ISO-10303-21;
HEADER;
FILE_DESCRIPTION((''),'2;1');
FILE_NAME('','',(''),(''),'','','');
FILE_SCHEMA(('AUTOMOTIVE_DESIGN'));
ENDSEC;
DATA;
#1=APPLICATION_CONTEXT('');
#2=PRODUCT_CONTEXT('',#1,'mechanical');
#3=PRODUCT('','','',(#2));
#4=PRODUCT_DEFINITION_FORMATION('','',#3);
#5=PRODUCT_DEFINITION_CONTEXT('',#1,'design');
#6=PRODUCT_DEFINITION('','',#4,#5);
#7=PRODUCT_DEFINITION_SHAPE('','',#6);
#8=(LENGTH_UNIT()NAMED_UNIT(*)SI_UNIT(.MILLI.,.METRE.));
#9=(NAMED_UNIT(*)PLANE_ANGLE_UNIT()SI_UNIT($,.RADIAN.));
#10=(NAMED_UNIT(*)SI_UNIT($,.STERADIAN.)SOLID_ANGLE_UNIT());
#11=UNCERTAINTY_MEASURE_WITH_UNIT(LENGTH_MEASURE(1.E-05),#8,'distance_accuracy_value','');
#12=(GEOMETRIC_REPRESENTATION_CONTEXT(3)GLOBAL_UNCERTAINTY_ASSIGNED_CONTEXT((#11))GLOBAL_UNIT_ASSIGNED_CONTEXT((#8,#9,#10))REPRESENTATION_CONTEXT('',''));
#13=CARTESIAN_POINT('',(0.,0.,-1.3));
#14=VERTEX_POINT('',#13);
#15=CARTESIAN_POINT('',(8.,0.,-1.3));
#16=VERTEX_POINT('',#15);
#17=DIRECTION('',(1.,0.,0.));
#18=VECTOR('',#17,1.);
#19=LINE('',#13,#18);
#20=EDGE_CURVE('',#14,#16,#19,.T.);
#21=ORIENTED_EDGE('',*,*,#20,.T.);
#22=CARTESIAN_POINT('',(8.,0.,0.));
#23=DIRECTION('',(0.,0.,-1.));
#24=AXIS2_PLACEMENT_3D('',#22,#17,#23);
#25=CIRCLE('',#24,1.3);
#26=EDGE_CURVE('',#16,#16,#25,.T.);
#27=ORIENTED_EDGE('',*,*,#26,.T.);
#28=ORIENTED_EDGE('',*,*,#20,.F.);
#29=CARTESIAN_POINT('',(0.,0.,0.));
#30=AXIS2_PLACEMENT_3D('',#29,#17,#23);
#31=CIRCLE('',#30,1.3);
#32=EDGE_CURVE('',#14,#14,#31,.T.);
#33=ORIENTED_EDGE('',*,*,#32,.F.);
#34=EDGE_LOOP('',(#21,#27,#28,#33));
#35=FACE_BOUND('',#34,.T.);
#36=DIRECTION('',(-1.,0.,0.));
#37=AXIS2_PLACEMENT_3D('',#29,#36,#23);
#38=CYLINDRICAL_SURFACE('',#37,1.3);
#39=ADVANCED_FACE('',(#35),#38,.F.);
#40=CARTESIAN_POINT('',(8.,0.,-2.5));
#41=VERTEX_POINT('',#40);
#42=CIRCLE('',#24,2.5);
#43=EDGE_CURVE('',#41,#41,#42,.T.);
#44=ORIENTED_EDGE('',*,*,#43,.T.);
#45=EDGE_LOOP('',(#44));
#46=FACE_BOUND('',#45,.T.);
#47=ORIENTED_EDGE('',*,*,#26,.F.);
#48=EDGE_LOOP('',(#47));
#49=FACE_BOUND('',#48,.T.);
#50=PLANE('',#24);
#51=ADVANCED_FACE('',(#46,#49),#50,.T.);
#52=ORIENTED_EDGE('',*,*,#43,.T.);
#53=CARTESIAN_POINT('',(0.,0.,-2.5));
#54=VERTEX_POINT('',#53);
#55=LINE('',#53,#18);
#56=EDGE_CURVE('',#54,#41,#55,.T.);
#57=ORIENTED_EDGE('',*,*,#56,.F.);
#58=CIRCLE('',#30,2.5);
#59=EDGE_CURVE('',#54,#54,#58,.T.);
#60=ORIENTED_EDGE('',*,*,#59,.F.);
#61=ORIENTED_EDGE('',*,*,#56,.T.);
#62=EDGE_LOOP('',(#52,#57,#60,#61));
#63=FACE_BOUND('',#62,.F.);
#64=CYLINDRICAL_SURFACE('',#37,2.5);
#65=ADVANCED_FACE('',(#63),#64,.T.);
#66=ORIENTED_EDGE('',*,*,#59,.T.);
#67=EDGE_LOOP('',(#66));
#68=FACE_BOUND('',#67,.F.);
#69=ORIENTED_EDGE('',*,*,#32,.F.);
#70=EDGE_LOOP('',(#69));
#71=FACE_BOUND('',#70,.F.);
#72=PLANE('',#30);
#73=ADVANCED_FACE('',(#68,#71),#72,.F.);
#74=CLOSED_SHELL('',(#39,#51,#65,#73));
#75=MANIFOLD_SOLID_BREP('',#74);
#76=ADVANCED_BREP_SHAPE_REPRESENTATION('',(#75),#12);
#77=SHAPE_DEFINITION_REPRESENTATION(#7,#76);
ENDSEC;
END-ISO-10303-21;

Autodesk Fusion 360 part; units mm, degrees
sketch "草图1" plane through (0, 0, 0) normal (1, 0, 0) x (0, 0, -1)
  circle A0 centre (0, 0) radius 1.3
  circle A1 centre (0, 0) radius 2.5
  dimension "d1" = 2.6
  dimension "d2" = 5
extrude "拉伸1" add sketch "草图1" along normal blind 8
